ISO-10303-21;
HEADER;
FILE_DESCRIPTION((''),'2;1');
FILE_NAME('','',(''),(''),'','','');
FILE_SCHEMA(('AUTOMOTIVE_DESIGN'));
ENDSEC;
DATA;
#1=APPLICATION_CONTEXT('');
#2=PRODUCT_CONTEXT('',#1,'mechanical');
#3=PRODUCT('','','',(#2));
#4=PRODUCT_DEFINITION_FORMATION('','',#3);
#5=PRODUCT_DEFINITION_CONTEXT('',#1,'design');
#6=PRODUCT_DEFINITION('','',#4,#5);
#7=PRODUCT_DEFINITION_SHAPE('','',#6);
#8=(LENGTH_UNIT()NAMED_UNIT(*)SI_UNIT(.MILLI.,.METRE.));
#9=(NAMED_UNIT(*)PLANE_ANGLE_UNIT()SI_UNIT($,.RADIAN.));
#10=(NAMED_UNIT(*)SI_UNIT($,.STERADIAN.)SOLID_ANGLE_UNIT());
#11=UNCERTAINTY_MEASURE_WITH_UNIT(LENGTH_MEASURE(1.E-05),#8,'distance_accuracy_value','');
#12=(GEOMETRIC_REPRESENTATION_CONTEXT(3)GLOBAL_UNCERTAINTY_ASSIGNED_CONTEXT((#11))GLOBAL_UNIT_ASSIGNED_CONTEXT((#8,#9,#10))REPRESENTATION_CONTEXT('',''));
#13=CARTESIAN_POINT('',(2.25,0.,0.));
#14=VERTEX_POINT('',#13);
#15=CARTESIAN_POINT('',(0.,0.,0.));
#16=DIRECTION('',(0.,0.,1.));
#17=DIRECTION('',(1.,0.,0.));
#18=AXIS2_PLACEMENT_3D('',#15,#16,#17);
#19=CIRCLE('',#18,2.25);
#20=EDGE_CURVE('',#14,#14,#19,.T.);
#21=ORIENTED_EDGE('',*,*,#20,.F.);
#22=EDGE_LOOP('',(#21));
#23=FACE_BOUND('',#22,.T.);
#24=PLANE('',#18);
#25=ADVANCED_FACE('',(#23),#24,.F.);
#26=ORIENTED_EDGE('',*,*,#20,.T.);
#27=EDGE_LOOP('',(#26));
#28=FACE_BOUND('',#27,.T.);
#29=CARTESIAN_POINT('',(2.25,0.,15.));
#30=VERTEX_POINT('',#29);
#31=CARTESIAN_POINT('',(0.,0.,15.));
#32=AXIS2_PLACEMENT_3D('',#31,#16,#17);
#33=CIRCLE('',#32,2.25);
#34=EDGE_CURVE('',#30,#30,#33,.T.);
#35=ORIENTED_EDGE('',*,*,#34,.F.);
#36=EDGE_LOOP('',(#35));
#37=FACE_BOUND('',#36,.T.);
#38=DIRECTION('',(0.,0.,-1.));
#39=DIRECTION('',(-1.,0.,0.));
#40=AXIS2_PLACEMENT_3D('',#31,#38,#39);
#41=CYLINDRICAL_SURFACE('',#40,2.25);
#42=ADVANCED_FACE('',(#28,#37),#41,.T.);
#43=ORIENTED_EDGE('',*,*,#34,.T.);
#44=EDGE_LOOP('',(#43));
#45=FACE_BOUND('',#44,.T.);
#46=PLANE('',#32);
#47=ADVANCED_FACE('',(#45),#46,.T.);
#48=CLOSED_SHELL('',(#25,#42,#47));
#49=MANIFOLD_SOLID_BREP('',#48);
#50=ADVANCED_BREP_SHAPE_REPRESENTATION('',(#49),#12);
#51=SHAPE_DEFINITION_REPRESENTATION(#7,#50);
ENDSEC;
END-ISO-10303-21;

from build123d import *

# Parameters (mm, degrees)
ESBO_O1_R                = 2.25
RESSALTO_EXTRUS_O1_DEPTH = 15


with BuildPart() as part:
    # Esboço1 → Ressalto-extrusão1 (new body)
    with BuildSketch(Plane.XY):
        Circle(ESBO_O1_R)
    extrude(amount=RESSALTO_EXTRUS_O1_DEPTH)


solid = part.part
